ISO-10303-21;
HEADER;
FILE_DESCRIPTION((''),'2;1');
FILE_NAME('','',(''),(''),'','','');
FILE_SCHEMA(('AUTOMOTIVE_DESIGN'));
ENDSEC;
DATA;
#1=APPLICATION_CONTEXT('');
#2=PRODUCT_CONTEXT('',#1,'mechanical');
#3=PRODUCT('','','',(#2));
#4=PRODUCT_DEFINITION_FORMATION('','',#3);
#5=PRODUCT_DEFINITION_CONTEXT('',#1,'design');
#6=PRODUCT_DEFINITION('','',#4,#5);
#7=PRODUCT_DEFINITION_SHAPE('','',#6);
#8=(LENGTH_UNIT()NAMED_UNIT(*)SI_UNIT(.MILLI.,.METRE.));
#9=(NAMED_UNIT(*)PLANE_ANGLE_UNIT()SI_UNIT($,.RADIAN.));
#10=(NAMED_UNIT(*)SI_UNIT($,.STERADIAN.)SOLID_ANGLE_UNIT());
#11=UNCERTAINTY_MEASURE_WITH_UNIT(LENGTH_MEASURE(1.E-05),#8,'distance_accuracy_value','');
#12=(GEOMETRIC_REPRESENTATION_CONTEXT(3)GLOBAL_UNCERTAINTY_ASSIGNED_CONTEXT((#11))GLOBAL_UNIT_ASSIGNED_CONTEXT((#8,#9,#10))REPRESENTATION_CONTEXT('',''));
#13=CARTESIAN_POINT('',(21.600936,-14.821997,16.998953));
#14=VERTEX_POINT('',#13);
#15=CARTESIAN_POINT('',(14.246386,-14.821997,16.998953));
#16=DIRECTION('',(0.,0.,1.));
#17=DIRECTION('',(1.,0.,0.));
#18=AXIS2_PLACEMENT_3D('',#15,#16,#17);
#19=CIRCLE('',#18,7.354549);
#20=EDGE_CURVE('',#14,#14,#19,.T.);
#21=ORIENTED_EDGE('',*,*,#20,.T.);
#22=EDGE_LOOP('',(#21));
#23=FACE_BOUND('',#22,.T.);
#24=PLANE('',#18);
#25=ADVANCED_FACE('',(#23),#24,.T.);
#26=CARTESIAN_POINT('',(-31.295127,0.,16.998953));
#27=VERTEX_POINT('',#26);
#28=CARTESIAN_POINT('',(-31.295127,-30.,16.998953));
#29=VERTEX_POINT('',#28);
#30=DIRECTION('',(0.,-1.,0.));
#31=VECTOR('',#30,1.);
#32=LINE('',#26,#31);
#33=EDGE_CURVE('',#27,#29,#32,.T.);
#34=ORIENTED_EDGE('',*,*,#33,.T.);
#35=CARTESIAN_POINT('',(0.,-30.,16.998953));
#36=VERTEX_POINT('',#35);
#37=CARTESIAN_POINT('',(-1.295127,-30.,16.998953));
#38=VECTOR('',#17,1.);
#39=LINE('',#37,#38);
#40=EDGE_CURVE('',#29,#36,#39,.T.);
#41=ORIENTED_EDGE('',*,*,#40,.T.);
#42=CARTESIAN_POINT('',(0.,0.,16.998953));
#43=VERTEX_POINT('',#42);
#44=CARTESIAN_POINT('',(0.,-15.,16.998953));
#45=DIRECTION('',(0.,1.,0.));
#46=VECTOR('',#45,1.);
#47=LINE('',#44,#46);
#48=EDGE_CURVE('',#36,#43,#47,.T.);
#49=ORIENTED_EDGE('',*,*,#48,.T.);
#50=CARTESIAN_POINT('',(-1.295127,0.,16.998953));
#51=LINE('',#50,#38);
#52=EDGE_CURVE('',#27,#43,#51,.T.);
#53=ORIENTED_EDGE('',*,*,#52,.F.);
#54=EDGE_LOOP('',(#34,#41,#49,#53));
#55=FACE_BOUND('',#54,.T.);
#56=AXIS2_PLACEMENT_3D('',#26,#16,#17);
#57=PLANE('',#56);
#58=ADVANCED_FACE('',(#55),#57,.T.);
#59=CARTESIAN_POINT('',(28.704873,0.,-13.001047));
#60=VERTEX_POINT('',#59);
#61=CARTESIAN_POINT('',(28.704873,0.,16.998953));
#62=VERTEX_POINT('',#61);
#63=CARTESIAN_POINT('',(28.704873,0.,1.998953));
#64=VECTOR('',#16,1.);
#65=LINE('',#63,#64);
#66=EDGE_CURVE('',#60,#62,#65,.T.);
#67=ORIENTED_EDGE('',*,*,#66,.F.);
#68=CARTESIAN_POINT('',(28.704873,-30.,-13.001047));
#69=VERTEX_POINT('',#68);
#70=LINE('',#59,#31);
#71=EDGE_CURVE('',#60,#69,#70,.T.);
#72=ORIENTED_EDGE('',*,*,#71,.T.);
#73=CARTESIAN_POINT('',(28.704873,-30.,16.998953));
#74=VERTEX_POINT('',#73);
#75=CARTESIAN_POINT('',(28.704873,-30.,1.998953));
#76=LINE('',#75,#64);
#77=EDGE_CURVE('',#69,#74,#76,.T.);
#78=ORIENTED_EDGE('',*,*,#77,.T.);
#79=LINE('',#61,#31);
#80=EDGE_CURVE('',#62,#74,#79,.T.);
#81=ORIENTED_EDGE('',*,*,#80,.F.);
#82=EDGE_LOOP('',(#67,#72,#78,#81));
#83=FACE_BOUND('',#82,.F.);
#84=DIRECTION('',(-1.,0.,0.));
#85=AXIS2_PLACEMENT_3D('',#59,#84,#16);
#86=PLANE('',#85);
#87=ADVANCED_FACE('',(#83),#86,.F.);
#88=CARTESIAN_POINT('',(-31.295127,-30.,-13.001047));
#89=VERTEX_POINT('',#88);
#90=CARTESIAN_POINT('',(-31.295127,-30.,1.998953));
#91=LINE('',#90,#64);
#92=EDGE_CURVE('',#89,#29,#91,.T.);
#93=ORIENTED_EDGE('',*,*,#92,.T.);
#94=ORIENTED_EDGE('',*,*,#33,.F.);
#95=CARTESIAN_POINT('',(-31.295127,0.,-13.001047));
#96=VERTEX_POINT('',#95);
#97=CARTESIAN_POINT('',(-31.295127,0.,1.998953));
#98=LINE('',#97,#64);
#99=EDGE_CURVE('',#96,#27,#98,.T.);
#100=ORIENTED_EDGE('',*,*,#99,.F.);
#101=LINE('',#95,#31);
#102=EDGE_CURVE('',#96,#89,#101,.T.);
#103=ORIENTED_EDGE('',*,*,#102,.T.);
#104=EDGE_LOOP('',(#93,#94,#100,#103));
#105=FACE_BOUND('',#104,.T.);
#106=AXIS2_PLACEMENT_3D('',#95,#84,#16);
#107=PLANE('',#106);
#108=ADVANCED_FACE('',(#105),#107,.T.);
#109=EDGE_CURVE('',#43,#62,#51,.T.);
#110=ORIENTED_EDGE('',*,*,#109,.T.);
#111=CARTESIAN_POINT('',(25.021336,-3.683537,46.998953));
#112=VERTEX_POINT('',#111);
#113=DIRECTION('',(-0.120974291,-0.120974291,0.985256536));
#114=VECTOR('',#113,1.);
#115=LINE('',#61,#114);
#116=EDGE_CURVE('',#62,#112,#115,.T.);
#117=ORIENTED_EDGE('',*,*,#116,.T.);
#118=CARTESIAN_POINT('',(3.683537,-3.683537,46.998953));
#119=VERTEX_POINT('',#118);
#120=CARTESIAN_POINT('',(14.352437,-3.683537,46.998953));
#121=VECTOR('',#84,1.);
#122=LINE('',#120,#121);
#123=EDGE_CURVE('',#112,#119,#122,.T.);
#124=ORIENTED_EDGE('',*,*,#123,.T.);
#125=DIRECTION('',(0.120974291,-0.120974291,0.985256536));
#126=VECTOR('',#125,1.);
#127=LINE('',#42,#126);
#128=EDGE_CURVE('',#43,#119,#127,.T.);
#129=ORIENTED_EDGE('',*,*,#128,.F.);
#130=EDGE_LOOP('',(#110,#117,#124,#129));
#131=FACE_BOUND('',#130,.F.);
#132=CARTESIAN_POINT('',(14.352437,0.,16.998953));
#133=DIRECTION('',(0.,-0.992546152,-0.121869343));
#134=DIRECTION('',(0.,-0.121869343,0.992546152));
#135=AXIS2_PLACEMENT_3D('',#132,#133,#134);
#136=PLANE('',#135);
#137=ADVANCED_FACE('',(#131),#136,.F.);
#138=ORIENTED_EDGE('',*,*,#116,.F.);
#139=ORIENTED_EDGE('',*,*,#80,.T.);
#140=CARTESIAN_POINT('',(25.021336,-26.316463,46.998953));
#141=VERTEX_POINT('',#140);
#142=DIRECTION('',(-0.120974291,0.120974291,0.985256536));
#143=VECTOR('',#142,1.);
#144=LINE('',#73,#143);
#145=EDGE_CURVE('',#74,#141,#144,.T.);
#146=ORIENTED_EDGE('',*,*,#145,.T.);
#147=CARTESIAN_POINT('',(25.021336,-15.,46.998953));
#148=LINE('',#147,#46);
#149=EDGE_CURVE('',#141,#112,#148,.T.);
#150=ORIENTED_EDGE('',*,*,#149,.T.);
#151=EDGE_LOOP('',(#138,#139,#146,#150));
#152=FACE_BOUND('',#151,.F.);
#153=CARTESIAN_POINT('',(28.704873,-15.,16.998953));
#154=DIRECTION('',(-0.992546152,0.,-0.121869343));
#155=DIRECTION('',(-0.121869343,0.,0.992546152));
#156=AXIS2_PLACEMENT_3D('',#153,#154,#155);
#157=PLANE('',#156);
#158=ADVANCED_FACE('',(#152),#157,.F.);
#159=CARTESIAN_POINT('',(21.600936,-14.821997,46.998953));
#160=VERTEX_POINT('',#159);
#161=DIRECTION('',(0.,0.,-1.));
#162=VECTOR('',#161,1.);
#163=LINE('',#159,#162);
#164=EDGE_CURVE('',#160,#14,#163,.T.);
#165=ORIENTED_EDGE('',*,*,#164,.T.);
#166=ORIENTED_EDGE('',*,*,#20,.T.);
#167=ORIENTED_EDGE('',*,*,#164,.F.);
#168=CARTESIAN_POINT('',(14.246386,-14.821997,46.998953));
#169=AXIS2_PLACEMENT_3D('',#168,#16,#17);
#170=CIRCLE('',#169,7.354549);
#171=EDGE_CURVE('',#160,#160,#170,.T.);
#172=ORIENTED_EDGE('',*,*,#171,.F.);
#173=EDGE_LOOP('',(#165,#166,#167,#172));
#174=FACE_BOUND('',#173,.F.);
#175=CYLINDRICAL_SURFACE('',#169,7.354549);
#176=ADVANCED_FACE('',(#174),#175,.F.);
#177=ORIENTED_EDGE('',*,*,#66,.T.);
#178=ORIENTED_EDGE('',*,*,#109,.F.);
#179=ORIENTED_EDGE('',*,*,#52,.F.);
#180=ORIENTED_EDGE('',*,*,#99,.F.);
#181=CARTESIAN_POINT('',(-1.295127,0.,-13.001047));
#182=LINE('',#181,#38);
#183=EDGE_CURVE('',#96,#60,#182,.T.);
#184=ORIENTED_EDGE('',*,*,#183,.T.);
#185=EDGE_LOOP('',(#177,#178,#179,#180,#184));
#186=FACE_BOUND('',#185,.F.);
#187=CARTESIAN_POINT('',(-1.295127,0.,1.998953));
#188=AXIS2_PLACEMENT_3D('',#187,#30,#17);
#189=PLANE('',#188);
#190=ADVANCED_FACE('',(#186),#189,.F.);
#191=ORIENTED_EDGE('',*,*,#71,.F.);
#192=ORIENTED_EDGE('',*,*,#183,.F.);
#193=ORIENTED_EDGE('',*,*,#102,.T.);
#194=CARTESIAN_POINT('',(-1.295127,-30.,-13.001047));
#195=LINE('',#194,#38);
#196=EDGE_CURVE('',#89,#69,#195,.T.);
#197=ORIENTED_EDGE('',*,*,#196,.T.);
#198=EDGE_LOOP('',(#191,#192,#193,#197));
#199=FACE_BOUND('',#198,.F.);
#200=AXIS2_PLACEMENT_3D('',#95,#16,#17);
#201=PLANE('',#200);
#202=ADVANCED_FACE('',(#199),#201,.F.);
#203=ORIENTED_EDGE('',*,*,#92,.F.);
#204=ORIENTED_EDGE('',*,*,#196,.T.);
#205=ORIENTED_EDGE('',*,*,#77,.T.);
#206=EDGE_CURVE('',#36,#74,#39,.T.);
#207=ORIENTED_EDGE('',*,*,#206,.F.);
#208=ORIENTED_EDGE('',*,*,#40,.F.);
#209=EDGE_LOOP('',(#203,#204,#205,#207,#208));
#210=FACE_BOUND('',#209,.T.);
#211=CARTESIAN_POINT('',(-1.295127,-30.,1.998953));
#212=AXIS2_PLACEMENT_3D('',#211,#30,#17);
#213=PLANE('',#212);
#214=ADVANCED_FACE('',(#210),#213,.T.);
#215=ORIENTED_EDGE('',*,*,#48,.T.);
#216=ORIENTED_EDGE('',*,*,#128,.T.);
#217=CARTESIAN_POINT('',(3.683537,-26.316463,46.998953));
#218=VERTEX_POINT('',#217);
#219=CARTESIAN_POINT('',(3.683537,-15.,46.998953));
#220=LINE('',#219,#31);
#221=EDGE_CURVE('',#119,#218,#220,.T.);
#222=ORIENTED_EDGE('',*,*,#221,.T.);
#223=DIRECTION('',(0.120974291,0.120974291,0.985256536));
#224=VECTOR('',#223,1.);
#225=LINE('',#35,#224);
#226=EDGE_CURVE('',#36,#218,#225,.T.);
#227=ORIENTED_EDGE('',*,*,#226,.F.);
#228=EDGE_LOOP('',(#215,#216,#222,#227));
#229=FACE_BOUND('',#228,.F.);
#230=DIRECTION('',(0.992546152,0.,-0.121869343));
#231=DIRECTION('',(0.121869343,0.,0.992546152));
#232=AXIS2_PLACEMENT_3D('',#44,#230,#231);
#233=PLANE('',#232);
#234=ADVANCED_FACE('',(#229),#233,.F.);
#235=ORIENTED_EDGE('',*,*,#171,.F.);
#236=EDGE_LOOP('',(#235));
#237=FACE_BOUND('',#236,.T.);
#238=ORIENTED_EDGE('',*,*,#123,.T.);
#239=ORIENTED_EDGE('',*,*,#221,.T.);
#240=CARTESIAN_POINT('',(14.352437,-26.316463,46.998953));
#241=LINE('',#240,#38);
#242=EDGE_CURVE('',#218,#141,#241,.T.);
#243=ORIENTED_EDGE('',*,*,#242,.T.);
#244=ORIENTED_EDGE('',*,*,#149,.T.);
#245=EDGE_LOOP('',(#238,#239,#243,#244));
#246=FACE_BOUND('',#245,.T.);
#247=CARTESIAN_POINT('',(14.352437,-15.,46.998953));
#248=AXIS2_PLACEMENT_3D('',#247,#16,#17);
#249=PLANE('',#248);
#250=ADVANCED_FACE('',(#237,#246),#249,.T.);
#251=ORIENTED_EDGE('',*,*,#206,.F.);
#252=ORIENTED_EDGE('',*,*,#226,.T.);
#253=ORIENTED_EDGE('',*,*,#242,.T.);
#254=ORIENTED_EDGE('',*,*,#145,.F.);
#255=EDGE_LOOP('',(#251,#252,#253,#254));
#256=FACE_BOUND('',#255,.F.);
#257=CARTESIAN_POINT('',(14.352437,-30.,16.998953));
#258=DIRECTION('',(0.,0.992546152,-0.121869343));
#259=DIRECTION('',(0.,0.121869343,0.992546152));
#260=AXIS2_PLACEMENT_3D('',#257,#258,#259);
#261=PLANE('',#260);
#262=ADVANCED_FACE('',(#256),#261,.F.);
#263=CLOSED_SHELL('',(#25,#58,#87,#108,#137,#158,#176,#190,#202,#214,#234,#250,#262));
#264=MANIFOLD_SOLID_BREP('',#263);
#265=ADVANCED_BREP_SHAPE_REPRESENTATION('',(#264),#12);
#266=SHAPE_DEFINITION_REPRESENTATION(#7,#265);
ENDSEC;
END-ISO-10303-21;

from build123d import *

# Parameters (mm, degrees)
F0_W     = 60
F0_H     = 30
F1_DEPTH = 30
F2_W     = 28.7048730254
F2_H     = 30
F3_DEPTH = 30
F3_TAPER = 7
F4_R     = 7.3545492497
F5_DEPTH = 30


with BuildPart() as f1:
    # F0 (on Front) → F1 (new body)
    with BuildSketch(Plane.XZ):
        with Locations((-1.2951269746, 1.9989533018)):
            Rectangle(F0_W, F0_H)
    extrude(amount=F1_DEPTH)

    # F2 (on face) → F3 (join)
    with BuildSketch(Plane.XY.offset(16.9989533018)):
        with Locations((14.3524365127, -15)):
            Rectangle(F2_W, F2_H)
    extrude(amount=F3_DEPTH, taper=F3_TAPER)

    # F4 (on face) → F5 (cut)
    with BuildSketch(Plane.XY.offset(46.9989533018)):
        with Locations((14.2463864759, -14.8219969124)):
            Circle(F4_R)
    extrude(amount=-F5_DEPTH, mode=Mode.SUBTRACT)


solid = f1.part
